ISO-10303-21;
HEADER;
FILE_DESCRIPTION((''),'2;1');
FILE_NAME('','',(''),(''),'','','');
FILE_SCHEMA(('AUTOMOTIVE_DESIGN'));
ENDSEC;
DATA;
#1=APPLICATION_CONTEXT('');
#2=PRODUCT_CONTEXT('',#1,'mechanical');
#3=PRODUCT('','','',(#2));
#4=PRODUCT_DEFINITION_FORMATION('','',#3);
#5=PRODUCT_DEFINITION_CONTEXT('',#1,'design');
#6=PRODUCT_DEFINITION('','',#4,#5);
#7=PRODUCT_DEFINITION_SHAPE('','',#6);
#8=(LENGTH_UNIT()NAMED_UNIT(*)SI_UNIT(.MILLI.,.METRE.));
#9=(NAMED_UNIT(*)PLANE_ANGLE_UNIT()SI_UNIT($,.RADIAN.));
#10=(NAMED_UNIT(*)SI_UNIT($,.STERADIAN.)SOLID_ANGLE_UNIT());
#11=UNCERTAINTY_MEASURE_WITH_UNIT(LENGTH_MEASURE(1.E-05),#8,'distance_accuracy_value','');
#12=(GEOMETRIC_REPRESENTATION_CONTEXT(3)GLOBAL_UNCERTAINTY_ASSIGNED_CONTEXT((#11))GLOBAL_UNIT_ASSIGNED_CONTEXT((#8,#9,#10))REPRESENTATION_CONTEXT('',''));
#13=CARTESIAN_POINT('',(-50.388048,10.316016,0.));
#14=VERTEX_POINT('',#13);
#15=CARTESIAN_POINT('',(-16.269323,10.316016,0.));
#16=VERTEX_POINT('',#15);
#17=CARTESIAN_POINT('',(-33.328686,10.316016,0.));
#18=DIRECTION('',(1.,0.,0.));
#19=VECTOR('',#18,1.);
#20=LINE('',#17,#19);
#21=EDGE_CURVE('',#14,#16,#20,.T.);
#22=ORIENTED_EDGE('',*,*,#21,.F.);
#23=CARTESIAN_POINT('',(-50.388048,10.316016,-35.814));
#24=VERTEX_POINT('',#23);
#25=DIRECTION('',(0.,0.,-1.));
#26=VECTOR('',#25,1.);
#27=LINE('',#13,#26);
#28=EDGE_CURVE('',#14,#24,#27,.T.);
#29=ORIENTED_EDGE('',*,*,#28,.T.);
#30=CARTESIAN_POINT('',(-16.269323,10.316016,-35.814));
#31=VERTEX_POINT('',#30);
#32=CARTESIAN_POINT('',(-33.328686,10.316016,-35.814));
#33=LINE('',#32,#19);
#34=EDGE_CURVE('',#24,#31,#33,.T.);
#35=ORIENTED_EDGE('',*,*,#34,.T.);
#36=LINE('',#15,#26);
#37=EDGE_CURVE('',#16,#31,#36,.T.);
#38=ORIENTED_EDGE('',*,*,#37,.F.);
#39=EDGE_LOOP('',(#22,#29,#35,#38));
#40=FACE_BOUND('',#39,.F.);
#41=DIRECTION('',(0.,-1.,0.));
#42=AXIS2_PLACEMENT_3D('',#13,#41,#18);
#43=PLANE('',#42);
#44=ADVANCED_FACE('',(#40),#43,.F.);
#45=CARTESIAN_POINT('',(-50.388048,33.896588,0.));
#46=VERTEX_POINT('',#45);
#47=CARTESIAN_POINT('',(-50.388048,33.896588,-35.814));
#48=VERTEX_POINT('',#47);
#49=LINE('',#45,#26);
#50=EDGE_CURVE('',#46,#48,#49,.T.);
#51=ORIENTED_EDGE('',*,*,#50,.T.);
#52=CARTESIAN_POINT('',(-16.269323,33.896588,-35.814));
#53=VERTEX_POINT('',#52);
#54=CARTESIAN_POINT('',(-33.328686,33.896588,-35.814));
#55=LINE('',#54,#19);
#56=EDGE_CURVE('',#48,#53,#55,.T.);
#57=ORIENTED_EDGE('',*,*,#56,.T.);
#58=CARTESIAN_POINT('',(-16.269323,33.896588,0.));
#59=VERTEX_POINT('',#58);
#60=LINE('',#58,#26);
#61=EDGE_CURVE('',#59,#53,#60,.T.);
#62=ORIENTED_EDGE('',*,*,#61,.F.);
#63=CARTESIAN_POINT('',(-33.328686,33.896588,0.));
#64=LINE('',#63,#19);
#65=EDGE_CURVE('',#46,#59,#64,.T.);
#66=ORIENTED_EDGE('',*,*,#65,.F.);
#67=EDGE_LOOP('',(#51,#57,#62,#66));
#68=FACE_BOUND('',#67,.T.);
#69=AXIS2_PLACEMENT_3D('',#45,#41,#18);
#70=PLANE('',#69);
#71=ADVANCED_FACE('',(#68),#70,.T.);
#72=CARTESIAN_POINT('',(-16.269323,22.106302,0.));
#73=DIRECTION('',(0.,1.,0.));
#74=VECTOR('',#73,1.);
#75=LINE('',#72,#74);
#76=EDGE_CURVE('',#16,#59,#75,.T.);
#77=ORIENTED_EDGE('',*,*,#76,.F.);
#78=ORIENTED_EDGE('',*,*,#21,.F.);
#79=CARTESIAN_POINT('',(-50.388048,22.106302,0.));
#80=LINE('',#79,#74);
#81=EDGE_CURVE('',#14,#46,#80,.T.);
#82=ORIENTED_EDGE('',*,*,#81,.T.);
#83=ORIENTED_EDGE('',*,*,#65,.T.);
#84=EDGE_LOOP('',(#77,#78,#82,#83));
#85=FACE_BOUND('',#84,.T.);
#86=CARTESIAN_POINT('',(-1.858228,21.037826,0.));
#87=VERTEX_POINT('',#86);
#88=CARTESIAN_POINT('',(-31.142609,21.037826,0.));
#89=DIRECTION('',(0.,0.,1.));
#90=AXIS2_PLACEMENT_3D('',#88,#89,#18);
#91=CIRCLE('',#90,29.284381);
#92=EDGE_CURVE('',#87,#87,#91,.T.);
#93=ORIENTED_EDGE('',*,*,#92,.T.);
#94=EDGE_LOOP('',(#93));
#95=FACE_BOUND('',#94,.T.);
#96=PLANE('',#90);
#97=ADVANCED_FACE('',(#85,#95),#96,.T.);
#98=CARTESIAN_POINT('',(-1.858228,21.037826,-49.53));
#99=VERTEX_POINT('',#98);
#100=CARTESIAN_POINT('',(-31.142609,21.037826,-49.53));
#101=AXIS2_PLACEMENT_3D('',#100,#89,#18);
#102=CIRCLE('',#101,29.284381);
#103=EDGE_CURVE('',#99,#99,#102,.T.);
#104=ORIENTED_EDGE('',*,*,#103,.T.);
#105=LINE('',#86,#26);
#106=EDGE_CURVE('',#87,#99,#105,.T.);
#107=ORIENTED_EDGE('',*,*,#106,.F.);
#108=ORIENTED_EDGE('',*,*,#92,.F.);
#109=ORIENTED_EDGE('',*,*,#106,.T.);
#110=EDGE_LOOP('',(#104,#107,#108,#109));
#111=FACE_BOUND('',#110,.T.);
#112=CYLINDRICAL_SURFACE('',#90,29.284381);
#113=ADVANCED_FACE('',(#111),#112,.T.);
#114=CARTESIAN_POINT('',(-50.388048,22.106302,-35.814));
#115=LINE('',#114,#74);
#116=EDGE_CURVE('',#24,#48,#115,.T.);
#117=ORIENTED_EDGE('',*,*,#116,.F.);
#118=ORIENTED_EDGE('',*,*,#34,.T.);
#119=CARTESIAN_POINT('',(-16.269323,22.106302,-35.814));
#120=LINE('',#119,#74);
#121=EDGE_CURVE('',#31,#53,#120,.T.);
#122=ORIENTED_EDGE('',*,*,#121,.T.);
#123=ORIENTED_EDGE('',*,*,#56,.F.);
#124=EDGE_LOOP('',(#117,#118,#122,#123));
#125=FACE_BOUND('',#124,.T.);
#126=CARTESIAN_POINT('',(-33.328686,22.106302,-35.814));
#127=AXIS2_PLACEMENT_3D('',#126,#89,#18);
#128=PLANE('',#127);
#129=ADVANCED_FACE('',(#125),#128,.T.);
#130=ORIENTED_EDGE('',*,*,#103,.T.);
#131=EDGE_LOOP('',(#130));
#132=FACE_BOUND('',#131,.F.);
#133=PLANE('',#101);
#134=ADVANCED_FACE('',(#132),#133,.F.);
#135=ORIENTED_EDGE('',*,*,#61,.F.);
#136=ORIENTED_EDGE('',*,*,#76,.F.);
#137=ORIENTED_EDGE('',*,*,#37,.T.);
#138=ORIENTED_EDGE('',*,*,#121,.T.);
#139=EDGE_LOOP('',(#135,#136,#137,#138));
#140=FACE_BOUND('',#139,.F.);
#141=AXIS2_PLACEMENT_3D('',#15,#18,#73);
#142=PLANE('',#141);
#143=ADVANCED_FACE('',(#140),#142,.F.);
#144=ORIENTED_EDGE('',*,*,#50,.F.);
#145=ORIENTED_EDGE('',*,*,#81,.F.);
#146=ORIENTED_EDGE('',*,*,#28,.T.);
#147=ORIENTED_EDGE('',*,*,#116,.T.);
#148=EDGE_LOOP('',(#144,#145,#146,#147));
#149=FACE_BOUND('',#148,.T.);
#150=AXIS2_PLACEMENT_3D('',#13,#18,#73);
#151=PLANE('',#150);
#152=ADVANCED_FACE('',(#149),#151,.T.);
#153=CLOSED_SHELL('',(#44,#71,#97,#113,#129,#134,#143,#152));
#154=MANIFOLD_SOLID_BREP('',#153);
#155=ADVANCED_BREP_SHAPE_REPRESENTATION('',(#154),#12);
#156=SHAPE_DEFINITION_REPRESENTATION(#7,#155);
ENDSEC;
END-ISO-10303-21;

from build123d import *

# Parameters (mm, degrees)
F0_R     = 29.284381
F1_DEPTH = 49.53
F2_W     = 34.118725
F2_H     = 23.580571
F3_DEPTH = 35.814


with BuildPart() as f1:
    # F0 (on Top) → F1 (new body)
    with BuildSketch(Plane.XY):
        with Locations((-31.142609, 21.037826)):
            Circle(F0_R)
    extrude(amount=-F1_DEPTH)

    # F2 (on face) → F3 (cut)
    with BuildSketch(Plane.XY):
        with Locations((-33.328686, 22.106302)):
            Rectangle(F2_W, F2_H)
    extrude(amount=-F3_DEPTH, mode=Mode.SUBTRACT)


solid = f1.part
